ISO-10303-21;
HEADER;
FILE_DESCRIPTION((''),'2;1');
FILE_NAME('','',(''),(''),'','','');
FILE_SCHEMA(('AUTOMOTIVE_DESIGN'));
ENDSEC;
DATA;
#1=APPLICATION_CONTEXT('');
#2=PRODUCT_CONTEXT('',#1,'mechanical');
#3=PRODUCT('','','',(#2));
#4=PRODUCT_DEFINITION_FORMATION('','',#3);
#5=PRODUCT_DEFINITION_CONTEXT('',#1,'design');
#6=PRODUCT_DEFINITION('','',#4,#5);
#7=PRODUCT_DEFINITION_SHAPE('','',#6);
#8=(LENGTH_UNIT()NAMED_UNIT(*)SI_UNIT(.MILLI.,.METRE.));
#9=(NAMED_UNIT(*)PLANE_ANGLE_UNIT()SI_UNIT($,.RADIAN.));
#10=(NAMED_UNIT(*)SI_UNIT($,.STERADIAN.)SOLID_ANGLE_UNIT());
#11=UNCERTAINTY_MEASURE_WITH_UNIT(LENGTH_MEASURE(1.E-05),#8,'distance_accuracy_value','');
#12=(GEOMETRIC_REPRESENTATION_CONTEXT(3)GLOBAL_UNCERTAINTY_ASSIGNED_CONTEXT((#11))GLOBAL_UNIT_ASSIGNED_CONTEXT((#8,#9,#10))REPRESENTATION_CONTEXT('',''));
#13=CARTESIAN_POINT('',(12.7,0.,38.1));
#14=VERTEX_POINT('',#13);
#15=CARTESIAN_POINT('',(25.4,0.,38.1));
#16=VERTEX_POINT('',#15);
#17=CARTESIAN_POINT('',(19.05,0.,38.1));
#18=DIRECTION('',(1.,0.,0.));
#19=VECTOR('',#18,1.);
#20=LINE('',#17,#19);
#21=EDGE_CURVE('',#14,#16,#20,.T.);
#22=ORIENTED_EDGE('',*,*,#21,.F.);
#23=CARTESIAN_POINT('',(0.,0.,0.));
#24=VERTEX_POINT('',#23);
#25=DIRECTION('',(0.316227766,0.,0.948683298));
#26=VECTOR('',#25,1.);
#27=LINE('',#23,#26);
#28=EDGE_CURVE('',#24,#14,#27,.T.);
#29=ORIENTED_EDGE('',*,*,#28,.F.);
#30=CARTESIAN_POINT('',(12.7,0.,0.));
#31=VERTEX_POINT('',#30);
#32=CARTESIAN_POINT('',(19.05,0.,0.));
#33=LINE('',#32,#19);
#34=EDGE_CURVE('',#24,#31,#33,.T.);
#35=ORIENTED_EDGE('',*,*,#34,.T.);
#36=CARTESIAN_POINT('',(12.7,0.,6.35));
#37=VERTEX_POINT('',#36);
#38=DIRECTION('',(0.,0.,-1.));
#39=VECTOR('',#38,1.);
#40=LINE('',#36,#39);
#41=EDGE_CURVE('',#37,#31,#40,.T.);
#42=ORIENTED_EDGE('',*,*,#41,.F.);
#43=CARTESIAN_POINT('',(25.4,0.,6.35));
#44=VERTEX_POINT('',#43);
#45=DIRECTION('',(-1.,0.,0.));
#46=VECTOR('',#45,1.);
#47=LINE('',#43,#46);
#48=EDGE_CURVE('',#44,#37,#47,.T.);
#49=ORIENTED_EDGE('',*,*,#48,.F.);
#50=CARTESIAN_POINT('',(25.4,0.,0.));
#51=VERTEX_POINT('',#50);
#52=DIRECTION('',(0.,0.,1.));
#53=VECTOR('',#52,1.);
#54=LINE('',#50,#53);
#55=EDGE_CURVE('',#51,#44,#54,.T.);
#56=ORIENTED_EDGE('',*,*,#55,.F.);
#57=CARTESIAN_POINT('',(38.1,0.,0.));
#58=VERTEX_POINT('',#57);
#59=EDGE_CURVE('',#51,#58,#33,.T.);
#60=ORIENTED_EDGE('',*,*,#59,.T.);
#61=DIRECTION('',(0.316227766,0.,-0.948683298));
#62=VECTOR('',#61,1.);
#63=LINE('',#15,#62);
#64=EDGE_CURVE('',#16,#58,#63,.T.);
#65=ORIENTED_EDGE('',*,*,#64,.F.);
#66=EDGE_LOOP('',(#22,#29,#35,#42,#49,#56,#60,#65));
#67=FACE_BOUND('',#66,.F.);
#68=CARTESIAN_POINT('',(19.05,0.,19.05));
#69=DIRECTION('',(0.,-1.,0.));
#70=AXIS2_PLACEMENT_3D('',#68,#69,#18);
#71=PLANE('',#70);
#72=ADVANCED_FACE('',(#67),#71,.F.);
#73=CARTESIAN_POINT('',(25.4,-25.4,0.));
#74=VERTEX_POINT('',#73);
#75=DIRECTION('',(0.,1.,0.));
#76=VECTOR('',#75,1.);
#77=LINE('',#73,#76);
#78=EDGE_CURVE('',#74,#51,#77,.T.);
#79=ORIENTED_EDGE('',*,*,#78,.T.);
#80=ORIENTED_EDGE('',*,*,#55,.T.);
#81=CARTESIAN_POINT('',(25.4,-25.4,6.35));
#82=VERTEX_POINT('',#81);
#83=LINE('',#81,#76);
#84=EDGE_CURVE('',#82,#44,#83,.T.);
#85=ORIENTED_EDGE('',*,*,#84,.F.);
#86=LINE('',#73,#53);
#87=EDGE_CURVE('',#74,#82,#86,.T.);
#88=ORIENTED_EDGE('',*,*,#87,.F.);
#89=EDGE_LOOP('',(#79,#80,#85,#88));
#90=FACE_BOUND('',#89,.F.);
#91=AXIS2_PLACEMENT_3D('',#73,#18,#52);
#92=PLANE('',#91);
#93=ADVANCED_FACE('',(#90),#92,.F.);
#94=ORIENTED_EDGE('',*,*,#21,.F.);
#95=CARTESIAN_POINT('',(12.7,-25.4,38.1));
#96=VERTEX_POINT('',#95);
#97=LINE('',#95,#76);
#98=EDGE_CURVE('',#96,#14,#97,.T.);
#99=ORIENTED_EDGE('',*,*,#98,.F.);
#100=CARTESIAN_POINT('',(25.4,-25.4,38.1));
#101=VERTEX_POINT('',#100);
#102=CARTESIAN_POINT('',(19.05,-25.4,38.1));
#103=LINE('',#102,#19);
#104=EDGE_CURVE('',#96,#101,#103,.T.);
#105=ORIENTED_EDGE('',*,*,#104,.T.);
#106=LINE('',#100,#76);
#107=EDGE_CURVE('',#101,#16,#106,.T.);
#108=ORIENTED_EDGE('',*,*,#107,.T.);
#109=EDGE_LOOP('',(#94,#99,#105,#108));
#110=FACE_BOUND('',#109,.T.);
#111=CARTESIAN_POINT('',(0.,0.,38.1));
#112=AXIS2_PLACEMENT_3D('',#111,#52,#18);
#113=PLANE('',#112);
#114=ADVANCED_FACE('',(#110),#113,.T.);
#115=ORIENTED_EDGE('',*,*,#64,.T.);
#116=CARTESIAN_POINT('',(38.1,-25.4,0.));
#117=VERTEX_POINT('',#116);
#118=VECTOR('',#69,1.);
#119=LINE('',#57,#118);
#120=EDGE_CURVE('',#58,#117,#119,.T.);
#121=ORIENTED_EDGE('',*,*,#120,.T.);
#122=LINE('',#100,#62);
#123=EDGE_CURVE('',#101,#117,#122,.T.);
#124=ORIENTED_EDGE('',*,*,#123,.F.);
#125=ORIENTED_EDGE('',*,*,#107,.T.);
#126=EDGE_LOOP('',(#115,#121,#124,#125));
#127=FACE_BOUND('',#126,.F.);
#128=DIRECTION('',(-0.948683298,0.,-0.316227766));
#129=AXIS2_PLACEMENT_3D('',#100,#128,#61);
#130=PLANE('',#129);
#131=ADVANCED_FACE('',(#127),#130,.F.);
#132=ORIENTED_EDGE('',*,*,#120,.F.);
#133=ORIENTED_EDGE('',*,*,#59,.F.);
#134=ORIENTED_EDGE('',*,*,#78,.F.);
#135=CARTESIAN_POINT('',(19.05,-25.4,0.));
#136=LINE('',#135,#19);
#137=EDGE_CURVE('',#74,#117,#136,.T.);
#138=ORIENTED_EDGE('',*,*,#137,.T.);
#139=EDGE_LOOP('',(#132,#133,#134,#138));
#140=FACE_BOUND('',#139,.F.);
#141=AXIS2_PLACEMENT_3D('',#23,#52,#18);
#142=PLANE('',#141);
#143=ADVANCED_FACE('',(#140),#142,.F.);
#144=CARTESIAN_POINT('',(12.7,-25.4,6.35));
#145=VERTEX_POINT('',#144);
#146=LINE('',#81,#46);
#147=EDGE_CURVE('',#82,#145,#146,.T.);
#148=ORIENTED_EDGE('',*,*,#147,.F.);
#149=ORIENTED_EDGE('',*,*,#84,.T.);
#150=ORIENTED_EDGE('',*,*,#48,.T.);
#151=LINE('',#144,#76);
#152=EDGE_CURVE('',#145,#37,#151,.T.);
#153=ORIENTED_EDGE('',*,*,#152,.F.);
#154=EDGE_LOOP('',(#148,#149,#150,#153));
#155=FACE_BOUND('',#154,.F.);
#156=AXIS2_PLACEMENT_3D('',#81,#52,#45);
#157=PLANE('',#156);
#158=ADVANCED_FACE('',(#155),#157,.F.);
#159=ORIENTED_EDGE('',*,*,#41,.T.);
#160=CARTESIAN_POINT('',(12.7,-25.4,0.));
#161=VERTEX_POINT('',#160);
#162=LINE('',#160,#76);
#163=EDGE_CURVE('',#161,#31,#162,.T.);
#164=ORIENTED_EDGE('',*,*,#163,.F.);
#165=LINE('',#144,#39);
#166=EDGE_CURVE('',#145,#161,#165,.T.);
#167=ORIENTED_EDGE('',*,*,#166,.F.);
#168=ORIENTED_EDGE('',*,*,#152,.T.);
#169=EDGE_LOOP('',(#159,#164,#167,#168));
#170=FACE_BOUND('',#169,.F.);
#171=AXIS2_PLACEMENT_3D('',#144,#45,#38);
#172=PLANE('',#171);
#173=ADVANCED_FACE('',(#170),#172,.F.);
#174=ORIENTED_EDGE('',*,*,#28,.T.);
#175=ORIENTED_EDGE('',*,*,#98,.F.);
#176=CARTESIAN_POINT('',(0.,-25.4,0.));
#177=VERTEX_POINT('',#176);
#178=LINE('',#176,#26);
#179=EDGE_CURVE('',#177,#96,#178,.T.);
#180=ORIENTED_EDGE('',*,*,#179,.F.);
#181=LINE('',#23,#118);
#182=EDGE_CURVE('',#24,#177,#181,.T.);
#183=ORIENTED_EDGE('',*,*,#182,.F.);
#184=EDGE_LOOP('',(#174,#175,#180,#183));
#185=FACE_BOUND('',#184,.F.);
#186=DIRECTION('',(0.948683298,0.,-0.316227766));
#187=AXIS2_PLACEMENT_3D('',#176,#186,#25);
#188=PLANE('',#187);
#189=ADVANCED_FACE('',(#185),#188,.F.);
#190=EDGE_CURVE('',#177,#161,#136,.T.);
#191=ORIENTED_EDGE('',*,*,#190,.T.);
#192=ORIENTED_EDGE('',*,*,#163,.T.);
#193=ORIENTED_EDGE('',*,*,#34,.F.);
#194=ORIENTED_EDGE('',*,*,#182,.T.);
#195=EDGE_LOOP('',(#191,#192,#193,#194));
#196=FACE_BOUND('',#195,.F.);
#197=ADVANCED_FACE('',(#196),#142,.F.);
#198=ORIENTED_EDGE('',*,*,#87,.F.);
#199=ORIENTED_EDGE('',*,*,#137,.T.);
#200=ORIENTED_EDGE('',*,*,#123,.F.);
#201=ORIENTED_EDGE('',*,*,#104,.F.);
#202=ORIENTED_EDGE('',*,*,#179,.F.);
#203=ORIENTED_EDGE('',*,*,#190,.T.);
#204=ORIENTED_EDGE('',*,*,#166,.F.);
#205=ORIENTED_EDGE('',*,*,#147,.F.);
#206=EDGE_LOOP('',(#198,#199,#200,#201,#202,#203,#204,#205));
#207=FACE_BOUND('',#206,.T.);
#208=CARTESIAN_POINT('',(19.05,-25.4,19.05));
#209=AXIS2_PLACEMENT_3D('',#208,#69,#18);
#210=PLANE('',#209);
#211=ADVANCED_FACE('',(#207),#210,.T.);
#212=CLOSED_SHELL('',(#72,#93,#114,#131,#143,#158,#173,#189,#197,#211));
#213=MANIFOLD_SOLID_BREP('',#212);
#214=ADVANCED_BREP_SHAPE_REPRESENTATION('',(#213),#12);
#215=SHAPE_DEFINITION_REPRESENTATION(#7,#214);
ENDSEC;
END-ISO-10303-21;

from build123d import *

# Parameters (mm, degrees)
F0_W     = 38.1
F0_H     = 38.1
F1_DEPTH = 25.4
F3_DEPTH = 25.4
F5_DEPTH = 25.4


with BuildPart() as f1:
    # F0 (on Front) → F1 (new body)
    with BuildSketch(Plane.XZ):
        with Locations((19.05, 19.05)):
            Rectangle(F0_W, F0_H)
    extrude(amount=F1_DEPTH)

    # F2 (on face) → F3 (cut)
    with BuildSketch(Plane.XZ.offset(25.4)):
        Polygon((0, 0), (12.7, 38.1), (0, 38.1), align=None)
        Polygon((38.1, 38.1), (25.4, 38.1), (38.1, 0), align=None)
    extrude(amount=-F3_DEPTH, mode=Mode.SUBTRACT)

    # F4 (on face) → F5 (cut)
    with BuildSketch(Plane.XZ.offset(25.4)):
        Polygon((12.7, 0), (19.05, 0), (25.4, 0), (25.4, 6.35), (12.7, 6.35), align=None)
    extrude(amount=-F5_DEPTH, mode=Mode.SUBTRACT)


solid = f1.part
